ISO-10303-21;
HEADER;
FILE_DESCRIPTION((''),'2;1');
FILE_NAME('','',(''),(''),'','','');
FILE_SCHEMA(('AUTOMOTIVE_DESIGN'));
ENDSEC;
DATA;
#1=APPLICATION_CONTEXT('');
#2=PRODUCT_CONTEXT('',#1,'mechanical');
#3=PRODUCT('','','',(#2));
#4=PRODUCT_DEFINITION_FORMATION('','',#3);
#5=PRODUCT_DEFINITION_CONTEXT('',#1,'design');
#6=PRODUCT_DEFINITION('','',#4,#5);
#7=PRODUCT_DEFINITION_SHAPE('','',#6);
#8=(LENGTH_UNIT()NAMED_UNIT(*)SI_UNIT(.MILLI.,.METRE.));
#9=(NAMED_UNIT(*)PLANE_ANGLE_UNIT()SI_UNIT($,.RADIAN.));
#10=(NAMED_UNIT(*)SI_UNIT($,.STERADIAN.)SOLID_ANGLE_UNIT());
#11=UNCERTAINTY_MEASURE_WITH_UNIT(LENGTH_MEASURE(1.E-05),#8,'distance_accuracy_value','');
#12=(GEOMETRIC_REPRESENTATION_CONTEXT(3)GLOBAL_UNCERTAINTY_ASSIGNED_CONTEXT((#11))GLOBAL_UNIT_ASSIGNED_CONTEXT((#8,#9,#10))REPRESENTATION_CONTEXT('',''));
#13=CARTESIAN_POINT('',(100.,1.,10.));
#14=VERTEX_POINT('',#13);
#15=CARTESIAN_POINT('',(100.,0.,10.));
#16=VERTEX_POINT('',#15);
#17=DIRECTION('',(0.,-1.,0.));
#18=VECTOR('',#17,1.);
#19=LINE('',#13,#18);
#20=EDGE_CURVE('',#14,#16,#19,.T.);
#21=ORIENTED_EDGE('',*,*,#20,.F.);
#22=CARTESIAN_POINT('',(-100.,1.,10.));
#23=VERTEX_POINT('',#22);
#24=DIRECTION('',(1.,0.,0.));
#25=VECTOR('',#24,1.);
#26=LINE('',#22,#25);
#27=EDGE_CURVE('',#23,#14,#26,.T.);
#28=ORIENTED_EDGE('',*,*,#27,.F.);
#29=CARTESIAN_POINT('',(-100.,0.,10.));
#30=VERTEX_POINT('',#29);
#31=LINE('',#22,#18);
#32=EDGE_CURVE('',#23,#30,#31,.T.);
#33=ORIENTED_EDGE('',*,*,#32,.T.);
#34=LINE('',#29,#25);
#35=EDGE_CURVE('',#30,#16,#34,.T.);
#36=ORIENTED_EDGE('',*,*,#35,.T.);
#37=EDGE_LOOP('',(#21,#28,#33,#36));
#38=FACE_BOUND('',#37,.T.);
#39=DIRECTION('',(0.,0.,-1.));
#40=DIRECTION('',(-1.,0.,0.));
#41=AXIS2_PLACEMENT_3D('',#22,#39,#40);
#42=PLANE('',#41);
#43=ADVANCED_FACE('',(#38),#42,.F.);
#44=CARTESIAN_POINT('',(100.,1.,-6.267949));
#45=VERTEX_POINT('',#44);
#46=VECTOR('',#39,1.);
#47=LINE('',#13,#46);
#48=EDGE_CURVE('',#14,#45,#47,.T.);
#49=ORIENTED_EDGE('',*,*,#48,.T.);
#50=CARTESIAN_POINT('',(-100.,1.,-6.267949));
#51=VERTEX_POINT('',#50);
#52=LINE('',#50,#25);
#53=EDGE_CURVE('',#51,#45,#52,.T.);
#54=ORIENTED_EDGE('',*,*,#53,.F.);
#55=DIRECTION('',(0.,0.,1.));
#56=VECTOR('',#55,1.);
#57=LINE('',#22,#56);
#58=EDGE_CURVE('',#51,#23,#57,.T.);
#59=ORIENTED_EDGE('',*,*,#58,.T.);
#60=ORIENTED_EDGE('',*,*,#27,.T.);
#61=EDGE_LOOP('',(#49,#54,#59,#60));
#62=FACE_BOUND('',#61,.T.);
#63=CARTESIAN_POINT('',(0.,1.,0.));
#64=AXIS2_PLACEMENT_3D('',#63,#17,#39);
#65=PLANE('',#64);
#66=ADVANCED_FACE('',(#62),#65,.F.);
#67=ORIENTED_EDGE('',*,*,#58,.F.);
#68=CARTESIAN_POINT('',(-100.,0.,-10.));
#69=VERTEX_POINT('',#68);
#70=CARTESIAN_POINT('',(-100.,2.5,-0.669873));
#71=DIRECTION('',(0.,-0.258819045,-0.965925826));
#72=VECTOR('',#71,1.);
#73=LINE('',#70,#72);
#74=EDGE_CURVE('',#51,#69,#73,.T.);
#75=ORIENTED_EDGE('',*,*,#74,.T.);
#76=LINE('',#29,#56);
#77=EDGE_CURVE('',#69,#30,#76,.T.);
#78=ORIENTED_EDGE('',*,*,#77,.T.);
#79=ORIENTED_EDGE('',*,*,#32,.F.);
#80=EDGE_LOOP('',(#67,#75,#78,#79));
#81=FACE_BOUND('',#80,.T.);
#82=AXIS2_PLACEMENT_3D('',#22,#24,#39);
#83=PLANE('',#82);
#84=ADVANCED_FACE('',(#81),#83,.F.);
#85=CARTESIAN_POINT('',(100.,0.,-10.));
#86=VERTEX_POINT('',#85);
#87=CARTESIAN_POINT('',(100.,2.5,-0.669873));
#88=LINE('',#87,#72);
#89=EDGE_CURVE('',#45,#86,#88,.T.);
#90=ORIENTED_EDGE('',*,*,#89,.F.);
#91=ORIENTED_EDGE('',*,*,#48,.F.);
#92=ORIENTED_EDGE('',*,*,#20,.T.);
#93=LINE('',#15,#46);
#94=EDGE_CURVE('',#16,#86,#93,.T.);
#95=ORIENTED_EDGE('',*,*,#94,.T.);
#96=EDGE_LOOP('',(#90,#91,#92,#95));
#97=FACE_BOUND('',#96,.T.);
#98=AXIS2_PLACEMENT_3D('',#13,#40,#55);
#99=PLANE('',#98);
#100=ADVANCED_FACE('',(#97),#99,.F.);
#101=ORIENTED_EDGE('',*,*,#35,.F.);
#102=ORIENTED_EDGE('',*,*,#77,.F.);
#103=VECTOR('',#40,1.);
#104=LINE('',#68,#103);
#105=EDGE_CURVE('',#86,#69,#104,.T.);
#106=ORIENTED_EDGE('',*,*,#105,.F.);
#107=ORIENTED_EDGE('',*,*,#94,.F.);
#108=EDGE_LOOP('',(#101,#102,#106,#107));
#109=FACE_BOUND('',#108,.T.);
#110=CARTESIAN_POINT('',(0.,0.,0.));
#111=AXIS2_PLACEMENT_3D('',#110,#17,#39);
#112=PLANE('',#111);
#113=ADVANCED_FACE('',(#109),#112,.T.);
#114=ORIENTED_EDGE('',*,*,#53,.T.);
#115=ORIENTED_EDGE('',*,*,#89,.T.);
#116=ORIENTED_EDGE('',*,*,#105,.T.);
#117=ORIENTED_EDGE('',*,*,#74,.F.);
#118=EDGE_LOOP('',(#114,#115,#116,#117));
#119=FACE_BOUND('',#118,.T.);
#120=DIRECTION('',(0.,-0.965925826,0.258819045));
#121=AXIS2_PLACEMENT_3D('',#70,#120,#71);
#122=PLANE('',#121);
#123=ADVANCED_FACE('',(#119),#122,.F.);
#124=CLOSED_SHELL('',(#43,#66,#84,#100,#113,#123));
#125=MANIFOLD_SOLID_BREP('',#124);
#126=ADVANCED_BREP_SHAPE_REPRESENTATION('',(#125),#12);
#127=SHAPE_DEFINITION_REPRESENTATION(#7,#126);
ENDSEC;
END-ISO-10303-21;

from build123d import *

# Parameters (mm, degrees)
SKETCH1_W          = 200
SKETCH1_H          = 20
BLADE_DEPTH        = 1
CUT_EXTRUDE1_DEPTH = 201.25234081


with BuildPart() as part:
    # Sketch1 → Blade (new body)
    with BuildSketch(Plane(origin=(0, 0, 0), x_dir=(1, 0, 0), z_dir=(0, 1, 0))):
        Rectangle(SKETCH1_W, SKETCH1_H)
    extrude(amount=BLADE_DEPTH)

    # Sketch2 → Cut-Extrude1 (cut, through all)
    with BuildSketch(Plane(origin=(100, 0, 0), x_dir=(0, 0, -1), z_dir=(1, 0, 0))):
        Polygon((10, 1), (6.267949192, 1), (10, 0), align=None)
    extrude(amount=-CUT_EXTRUDE1_DEPTH, mode=Mode.SUBTRACT)


solid = part.part
